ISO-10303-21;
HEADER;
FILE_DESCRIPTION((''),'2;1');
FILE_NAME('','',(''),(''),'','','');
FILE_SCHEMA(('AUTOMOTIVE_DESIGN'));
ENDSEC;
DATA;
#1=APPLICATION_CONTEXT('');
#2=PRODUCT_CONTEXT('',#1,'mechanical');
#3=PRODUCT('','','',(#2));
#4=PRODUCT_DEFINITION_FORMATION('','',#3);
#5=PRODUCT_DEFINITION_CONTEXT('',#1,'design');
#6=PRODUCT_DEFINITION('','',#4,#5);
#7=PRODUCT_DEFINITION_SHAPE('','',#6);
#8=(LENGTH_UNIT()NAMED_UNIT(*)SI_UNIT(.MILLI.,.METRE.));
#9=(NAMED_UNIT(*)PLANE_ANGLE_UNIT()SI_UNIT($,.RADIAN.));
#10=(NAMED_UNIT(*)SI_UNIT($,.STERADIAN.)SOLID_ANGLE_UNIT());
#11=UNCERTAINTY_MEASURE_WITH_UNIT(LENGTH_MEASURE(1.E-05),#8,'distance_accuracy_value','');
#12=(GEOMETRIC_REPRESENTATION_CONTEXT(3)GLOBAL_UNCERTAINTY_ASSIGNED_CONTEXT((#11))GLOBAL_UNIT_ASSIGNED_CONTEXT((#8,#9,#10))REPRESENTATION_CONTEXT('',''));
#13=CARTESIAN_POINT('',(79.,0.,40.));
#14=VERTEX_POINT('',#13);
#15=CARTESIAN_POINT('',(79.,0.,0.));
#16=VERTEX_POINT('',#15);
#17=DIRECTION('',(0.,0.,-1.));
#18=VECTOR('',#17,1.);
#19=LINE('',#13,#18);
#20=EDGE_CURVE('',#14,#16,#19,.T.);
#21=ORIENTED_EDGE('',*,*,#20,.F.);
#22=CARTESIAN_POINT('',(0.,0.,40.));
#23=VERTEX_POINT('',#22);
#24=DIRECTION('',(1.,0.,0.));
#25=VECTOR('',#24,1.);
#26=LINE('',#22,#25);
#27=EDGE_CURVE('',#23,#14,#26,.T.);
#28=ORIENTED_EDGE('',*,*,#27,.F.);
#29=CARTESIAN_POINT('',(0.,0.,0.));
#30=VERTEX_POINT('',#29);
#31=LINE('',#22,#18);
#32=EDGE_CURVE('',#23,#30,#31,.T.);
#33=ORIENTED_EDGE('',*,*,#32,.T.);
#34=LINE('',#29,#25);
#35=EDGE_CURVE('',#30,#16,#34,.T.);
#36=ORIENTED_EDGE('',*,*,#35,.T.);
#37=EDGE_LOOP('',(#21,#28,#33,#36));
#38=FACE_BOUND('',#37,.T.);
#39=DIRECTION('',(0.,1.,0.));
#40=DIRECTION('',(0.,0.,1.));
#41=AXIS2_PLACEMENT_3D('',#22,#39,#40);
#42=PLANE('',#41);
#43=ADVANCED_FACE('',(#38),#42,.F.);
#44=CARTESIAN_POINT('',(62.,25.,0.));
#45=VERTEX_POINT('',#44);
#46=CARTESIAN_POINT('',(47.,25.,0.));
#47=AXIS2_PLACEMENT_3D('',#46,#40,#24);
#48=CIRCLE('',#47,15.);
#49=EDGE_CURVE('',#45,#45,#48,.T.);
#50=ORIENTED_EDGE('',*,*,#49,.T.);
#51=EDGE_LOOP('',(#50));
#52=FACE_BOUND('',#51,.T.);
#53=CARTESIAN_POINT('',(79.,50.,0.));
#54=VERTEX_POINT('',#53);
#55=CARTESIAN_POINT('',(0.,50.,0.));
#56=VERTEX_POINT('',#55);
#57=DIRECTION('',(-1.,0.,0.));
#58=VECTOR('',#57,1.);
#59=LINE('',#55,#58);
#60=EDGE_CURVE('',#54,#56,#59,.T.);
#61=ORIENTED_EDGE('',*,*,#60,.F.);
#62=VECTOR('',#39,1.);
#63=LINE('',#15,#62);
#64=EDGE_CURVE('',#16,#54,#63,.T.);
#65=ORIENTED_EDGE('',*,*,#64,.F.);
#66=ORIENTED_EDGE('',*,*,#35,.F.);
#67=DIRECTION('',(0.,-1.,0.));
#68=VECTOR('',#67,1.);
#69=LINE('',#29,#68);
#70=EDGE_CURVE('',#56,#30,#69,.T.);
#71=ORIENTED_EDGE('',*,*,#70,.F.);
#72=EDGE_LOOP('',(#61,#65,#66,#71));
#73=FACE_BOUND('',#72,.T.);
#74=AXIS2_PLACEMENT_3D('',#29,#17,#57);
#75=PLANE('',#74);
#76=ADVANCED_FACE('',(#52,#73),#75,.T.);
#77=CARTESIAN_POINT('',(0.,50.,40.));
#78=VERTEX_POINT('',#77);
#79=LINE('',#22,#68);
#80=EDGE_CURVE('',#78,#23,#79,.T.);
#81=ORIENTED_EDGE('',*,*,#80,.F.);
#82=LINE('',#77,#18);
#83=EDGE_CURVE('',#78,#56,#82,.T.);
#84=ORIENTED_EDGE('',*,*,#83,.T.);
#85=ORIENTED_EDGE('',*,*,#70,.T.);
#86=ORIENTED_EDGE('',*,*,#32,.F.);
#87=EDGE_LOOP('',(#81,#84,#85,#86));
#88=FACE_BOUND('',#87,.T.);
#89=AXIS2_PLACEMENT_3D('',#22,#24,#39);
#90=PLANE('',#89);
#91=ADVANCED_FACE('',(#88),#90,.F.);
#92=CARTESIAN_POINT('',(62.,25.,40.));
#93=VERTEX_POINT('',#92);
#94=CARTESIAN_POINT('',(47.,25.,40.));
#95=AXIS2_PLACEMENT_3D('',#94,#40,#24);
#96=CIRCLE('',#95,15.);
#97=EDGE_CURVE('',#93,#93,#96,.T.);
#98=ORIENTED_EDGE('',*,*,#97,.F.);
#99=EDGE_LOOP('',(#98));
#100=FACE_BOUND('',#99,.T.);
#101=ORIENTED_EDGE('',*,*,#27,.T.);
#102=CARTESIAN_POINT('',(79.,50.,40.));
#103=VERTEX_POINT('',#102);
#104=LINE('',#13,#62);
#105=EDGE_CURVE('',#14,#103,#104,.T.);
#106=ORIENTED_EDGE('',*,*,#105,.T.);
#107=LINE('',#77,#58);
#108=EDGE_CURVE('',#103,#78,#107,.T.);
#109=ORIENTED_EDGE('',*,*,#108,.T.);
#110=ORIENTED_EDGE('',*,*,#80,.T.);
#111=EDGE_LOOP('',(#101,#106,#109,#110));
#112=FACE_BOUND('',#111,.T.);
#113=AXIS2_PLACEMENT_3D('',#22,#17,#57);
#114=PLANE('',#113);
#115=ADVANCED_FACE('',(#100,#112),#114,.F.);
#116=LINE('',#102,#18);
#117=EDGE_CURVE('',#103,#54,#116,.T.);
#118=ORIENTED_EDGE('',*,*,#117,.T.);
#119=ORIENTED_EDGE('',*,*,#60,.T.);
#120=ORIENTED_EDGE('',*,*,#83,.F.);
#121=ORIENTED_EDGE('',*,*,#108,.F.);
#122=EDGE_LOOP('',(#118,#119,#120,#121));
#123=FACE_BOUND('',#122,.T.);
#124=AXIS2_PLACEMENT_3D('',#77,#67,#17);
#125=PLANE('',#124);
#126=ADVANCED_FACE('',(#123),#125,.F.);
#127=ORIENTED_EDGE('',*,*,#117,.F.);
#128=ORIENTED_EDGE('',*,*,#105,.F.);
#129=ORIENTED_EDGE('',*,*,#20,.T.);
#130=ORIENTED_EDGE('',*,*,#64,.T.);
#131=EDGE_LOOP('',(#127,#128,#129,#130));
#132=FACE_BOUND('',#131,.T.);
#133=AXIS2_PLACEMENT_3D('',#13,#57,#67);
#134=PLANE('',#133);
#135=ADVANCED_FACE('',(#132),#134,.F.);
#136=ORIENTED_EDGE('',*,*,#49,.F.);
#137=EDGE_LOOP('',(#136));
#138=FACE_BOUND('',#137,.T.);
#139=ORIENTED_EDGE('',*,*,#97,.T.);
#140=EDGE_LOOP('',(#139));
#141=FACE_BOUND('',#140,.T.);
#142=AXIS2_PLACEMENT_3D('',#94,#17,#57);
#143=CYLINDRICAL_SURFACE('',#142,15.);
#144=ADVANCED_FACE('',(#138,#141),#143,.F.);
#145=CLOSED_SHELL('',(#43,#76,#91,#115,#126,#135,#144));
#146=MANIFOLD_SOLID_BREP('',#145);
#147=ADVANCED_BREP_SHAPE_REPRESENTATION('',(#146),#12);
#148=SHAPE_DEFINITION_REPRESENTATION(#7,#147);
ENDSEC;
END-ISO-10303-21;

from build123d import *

# Parameters (mm, degrees)
SKETCH1_W           = 79
SKETCH1_H           = 50
SKETCH1_R           = 15
BOSS_EXTRUDE1_DEPTH = 40


with BuildPart() as part:
    # Sketch1 → Boss-Extrude1 (new body)
    with BuildSketch(Plane.XY):
        with Locations((39.5, 25)):
            Rectangle(SKETCH1_W, SKETCH1_H)
        with Locations((47, 25)):
            Circle(SKETCH1_R, mode=Mode.SUBTRACT)
    extrude(amount=BOSS_EXTRUDE1_DEPTH)


solid = part.part
